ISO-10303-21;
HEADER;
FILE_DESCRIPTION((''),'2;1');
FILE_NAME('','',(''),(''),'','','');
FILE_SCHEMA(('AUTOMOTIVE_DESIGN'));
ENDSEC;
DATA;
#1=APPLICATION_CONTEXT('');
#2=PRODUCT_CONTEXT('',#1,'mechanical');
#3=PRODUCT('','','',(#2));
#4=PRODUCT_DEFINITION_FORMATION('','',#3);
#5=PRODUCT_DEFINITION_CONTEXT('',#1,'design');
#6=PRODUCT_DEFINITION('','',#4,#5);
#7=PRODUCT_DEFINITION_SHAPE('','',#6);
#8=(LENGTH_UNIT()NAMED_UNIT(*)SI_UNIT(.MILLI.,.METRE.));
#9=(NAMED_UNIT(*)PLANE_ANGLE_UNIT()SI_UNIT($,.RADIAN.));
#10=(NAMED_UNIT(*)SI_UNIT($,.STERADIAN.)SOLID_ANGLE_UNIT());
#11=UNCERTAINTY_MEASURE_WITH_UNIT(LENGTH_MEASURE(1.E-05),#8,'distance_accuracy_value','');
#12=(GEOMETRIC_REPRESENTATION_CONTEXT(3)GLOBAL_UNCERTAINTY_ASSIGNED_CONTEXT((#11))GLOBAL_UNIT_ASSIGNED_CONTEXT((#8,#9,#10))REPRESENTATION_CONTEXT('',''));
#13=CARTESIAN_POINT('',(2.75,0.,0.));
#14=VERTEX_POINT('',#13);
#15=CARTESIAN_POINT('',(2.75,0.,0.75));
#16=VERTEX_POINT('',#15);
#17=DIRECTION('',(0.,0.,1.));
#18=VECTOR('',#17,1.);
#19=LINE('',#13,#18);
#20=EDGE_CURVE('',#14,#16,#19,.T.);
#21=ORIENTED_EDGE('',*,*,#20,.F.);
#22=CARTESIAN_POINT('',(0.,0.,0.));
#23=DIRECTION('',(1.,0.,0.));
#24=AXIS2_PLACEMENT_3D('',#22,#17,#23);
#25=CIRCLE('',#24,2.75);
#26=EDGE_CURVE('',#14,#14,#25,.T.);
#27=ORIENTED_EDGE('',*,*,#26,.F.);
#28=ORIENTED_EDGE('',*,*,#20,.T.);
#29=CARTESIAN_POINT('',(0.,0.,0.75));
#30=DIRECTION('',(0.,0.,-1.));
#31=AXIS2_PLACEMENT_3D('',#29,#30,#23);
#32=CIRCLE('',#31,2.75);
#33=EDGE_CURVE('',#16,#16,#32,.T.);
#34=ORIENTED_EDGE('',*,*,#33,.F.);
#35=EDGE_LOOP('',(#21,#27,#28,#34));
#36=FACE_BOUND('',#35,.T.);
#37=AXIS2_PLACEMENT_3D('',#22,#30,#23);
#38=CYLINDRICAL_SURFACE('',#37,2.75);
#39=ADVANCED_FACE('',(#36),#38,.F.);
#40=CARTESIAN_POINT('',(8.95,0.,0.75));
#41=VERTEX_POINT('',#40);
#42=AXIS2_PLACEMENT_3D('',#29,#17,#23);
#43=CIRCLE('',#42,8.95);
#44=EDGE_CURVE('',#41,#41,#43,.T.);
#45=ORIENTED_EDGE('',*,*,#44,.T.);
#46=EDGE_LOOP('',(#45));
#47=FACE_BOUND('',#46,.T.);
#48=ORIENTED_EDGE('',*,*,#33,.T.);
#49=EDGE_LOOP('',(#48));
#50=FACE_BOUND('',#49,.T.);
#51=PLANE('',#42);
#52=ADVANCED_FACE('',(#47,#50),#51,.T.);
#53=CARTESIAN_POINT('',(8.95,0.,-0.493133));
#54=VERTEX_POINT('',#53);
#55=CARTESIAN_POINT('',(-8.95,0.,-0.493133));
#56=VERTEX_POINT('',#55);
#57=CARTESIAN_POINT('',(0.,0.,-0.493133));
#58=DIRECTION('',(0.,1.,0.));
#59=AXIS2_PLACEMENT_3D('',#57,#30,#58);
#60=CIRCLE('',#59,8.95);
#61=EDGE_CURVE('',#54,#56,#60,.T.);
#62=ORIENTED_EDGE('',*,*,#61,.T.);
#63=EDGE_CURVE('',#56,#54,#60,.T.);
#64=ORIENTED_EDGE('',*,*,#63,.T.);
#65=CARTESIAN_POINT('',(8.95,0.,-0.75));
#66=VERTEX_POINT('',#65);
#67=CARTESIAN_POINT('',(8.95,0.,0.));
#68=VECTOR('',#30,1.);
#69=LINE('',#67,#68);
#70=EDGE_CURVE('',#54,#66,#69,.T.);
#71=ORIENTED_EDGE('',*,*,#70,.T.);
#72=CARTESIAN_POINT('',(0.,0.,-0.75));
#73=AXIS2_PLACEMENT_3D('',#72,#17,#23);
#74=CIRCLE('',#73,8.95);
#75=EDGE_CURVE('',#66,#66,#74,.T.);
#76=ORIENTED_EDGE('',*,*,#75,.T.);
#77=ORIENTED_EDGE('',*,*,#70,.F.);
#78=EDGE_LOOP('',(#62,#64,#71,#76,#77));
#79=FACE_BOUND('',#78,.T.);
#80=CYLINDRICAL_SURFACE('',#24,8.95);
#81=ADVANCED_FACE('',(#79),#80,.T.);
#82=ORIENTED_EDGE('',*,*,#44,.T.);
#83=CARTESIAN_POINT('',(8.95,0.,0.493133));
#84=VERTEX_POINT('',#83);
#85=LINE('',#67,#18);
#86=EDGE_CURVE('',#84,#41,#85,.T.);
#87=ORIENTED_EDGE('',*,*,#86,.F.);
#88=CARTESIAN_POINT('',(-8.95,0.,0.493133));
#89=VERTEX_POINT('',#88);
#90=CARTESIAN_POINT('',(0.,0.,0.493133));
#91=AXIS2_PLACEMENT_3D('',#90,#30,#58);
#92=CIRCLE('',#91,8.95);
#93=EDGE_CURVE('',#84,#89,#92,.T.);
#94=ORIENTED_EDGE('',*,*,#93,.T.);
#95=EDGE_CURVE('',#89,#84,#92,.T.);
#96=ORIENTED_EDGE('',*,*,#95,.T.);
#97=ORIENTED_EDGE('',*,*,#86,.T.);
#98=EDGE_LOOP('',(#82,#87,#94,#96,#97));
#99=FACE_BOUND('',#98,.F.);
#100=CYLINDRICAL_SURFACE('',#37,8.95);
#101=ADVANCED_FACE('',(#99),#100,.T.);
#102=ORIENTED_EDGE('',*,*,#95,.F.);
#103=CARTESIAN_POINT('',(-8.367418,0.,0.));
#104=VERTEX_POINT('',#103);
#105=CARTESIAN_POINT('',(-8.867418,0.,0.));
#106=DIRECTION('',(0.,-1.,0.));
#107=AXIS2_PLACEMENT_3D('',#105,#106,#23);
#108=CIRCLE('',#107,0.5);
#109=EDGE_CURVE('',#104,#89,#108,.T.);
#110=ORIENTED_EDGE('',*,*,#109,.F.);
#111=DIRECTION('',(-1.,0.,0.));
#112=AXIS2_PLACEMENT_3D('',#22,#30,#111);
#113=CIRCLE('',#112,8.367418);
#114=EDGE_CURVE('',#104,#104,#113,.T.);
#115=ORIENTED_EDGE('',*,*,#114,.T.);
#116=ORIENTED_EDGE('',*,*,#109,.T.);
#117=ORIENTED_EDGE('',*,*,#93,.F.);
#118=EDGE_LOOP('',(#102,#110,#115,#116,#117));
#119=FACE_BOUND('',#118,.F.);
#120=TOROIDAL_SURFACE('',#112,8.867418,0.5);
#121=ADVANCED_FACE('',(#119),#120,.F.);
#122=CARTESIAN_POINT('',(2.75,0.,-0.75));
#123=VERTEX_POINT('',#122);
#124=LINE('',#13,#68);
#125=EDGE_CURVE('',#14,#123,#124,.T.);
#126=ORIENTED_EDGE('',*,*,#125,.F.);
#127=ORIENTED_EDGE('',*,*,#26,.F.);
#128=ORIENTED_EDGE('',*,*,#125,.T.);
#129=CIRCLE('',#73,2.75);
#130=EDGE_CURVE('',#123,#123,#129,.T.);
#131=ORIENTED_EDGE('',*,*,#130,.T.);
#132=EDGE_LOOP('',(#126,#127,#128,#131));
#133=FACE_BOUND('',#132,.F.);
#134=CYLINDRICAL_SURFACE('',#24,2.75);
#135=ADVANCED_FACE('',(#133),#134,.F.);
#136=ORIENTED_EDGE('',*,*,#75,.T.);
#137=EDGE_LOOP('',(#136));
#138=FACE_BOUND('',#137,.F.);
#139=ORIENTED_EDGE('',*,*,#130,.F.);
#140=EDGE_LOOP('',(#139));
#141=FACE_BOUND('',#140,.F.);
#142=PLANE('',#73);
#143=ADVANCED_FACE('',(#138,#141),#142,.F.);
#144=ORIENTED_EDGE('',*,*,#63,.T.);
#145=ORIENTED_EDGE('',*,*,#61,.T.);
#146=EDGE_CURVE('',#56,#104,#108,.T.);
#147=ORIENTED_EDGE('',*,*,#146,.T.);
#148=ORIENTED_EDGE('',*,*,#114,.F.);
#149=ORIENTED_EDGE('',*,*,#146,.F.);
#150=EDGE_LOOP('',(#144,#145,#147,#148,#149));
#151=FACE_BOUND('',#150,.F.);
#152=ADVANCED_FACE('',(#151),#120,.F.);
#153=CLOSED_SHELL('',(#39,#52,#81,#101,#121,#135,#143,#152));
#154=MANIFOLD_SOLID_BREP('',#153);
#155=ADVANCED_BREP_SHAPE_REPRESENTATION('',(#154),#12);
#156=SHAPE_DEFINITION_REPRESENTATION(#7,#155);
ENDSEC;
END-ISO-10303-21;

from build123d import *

# Parameters (mm, degrees)
F0_R          = 8.95
F1_DEPTH      = 0.75
F1_DEPTH_BACK = 0.75
F2_R          = 0.5
F4_R          = 2.75
F5_DEPTH      = 30.7
F5_DEPTH_BACK = 27


with BuildPart() as f1:
    # F0 (on Top) → F1 (new body, two sides)
    with BuildSketch(Plane.XY) as f1_sk:
        Circle(F0_R)
    extrude(amount=-F1_DEPTH)
    extrude(f1_sk.sketch, amount=F1_DEPTH_BACK)

    # F2 (on Front) → F3 (revolve, cut)
    with BuildSketch(Plane.XZ):
        with Locations((-8.8674183935, 0)):
            Circle(F2_R)
    revolve(axis=Axis((0, 0, -0.3013146343), (0, 0, -1)), mode=Mode.SUBTRACT)

    # F4 (on Top) → F5 (cut, two sides)
    with BuildSketch(Plane.XY) as f5_sk:
        Circle(F4_R)
    extrude(amount=-F5_DEPTH, mode=Mode.SUBTRACT)
    extrude(f5_sk.sketch, amount=F5_DEPTH_BACK, mode=Mode.SUBTRACT)


solid = f1.part
